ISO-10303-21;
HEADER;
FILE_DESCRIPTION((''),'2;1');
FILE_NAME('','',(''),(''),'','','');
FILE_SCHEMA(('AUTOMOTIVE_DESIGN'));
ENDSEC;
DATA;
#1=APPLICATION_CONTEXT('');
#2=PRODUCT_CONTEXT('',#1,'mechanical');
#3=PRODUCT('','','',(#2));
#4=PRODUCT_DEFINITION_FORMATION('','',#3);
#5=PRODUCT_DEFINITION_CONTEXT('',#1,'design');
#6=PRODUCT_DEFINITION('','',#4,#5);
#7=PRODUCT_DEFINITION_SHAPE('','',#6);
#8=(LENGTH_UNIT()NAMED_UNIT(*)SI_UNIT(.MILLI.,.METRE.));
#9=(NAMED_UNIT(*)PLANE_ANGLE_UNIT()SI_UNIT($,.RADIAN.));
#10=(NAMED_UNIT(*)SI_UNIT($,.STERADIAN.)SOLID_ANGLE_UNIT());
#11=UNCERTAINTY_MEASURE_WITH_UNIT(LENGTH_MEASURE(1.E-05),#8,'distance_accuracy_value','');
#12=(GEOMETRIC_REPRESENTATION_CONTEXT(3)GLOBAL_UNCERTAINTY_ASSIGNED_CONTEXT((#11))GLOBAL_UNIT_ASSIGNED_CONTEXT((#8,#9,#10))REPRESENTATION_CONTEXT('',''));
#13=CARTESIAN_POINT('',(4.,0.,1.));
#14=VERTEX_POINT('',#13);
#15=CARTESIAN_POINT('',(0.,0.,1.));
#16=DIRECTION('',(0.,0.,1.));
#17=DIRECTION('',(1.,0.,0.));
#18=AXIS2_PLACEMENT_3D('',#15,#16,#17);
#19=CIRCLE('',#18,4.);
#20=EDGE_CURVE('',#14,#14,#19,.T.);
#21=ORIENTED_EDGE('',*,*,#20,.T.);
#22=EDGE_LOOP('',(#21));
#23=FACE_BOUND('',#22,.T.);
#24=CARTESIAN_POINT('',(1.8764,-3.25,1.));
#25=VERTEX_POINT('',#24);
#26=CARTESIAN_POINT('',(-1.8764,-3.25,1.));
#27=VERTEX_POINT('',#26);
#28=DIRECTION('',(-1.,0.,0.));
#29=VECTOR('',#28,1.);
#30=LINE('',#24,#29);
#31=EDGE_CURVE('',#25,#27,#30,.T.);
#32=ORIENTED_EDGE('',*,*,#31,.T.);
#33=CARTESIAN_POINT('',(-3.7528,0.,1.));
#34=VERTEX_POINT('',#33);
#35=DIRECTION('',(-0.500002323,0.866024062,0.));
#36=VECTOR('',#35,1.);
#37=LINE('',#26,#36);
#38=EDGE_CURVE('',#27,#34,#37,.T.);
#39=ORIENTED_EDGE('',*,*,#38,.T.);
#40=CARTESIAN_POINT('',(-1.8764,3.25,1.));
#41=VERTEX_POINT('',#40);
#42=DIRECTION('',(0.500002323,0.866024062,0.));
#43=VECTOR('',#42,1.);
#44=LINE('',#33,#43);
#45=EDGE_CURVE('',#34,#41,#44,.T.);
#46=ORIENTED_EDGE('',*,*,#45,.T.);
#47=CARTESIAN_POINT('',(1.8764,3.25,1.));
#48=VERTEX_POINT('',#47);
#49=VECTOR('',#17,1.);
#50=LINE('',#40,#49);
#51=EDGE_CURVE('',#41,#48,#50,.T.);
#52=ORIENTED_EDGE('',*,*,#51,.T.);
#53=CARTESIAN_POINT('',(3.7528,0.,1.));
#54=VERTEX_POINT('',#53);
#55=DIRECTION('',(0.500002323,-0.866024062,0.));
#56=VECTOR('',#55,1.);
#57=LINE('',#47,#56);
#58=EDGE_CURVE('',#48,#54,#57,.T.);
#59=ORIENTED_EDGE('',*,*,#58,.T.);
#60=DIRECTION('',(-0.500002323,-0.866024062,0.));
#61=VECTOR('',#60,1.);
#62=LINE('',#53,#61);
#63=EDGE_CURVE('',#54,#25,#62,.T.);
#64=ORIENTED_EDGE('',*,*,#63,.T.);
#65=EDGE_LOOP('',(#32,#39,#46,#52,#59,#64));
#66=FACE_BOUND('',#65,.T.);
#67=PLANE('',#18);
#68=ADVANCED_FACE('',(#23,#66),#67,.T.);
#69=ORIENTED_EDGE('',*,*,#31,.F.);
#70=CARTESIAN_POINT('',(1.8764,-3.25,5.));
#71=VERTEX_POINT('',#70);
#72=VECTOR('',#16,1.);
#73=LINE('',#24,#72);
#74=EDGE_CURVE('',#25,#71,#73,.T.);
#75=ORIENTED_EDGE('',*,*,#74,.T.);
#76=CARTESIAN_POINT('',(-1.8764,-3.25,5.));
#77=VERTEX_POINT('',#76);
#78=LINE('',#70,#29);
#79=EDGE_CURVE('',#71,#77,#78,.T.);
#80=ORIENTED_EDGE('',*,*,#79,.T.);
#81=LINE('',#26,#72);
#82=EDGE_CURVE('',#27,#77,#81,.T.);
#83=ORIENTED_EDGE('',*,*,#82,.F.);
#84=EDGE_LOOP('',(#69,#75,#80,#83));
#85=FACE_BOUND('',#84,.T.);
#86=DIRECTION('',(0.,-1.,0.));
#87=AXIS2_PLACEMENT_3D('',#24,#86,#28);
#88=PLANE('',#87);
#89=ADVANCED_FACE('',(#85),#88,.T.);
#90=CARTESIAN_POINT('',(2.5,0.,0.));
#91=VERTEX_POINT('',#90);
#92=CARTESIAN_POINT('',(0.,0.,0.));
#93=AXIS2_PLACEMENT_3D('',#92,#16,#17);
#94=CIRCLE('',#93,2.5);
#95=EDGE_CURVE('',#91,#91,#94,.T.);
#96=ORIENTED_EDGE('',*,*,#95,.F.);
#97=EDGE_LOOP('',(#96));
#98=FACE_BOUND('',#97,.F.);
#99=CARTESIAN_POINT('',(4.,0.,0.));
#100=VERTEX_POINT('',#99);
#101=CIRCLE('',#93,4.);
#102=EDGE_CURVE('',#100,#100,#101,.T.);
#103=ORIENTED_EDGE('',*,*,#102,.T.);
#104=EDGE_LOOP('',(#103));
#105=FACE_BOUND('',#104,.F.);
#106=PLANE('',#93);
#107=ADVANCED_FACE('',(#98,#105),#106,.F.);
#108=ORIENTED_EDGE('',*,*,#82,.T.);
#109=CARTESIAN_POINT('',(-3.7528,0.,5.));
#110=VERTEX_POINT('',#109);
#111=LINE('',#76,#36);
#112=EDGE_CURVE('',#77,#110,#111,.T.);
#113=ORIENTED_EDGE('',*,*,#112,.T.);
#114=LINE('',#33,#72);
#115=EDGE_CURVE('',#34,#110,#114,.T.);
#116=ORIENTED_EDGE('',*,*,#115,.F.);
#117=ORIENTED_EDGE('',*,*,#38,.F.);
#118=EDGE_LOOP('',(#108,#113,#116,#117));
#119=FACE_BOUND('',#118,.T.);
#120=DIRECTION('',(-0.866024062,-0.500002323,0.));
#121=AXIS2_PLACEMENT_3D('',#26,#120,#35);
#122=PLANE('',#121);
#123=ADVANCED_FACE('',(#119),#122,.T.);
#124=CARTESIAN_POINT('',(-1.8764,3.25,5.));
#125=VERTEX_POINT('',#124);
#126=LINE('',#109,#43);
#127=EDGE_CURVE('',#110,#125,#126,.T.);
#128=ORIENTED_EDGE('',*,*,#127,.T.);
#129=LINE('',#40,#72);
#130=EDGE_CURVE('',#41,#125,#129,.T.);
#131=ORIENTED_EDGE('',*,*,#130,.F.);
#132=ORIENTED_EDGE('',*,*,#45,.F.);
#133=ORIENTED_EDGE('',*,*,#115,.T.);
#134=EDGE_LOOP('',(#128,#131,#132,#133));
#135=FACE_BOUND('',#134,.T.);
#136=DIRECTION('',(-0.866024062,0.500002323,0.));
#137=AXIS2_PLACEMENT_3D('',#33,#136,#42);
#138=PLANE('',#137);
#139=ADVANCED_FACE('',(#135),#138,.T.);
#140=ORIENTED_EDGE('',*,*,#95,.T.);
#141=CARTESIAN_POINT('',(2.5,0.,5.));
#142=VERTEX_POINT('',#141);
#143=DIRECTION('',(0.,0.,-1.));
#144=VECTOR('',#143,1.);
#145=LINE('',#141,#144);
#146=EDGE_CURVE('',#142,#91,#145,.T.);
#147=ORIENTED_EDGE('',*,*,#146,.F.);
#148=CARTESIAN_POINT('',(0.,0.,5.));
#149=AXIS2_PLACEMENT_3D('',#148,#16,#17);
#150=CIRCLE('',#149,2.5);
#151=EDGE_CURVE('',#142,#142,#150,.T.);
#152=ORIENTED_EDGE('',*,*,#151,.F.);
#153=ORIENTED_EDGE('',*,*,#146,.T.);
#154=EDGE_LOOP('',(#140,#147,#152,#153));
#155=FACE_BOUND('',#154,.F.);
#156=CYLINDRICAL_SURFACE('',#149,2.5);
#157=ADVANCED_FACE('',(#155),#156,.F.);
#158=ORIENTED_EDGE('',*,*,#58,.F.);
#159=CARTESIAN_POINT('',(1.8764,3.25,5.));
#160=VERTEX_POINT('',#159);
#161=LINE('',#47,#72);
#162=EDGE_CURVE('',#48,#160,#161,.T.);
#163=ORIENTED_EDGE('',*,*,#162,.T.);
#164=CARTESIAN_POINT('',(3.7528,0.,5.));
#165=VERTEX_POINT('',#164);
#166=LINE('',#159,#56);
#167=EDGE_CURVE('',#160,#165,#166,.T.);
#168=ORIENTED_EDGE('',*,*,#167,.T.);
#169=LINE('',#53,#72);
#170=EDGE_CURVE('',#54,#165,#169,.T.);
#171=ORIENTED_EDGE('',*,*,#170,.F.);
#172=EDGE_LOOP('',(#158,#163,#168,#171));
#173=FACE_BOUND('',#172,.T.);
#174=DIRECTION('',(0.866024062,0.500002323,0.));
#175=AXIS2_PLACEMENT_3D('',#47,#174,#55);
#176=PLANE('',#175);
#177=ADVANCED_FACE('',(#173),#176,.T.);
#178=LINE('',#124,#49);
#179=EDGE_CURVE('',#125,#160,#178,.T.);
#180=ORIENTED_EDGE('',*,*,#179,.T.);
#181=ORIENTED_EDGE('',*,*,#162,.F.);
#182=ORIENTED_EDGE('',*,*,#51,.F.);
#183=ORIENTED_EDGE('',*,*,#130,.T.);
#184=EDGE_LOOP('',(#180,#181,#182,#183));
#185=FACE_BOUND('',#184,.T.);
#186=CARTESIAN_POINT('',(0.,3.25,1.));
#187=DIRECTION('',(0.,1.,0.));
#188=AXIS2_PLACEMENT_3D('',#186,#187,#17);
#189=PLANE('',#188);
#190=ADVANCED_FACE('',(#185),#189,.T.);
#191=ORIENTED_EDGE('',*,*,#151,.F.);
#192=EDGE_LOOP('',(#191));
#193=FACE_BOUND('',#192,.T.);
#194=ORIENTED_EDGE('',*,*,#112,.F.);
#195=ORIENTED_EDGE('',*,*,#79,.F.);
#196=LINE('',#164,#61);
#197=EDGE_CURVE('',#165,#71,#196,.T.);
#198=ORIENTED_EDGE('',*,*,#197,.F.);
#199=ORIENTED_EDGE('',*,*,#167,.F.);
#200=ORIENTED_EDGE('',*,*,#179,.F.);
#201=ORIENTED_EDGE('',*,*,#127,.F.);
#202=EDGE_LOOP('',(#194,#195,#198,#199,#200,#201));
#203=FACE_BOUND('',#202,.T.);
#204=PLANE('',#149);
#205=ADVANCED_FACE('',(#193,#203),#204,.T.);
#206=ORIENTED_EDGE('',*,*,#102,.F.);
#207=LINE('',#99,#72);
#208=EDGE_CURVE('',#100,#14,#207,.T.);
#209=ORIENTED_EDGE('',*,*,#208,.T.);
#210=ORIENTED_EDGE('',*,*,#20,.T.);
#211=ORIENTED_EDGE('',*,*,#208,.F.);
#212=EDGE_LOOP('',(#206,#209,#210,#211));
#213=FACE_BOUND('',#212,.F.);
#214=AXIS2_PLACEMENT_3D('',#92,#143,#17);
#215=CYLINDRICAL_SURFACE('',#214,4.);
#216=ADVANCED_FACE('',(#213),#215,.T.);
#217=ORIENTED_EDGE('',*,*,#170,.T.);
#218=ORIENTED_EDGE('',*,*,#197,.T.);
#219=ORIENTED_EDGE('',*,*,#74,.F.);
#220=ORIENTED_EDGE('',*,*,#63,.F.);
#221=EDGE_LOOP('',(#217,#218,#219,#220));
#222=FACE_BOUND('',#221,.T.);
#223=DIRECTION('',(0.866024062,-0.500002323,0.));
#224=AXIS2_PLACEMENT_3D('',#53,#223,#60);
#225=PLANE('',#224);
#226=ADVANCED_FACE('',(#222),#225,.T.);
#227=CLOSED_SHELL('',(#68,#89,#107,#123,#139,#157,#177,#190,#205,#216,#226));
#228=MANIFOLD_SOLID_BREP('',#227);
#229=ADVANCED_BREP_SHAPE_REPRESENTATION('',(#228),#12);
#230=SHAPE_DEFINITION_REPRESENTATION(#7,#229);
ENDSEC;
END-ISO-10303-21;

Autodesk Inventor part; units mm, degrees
ref_plane "YZ Plane" through (0, 0, 0) normal (1, 0, 0) x (0, 1, 0)
ref_plane "XZ Plane" through (0, 0, 0) normal (0, 1, 0) x (-1, 0, 0)
ref_plane "XY Plane" through (0, 0, 0) normal (0, 0, 1) x (1, 0, 0)
sketch "草图1" plane through (0, 0, 0) normal (0, 0, 1) x (1, 0, 0)
  circle A0 centre (0, 0) radius 4
  dimension "d0" = 8
extrude "拉伸1" add sketch "草图1" along normal blind 1
sketch "草图2" plane through (0, 0, 1) normal (0, 0, 1) x (1, 0, 0)
  line L0 (1.8764, -3.25) -> (-1.8764, -3.25)
  line L1 (-1.8764, -3.25) -> (-3.7528, 0)
  line L2 (-3.7528, 0) -> (-1.8764, 3.25)
  line L3 (-1.8764, 3.25) -> (1.8764, 3.25)
  line L4 (1.8764, 3.25) -> (3.7528, 0)
  line L5 (3.7528, 0) -> (1.8764, -3.25)
  line L6 (0, 0) -> (0, 3.25)
  dimension "d3" = 6.5
extrude "拉伸2" add sketch "草图2" along normal blind 4
sketch "草图3" plane through (0, 0, 5) normal (0, 0, 1) x (1, 0, 0)
  circle A0 centre (0, 0) radius 2.5
  dimension "d6" = 5
extrude "拉伸3" cut sketch "草图3" against normal through all
thread "螺纹1" size "M5x0.8" class "6H" standard "ANSI Metric M Profile" full length
properties part number "分离水箱固定螺帽"
